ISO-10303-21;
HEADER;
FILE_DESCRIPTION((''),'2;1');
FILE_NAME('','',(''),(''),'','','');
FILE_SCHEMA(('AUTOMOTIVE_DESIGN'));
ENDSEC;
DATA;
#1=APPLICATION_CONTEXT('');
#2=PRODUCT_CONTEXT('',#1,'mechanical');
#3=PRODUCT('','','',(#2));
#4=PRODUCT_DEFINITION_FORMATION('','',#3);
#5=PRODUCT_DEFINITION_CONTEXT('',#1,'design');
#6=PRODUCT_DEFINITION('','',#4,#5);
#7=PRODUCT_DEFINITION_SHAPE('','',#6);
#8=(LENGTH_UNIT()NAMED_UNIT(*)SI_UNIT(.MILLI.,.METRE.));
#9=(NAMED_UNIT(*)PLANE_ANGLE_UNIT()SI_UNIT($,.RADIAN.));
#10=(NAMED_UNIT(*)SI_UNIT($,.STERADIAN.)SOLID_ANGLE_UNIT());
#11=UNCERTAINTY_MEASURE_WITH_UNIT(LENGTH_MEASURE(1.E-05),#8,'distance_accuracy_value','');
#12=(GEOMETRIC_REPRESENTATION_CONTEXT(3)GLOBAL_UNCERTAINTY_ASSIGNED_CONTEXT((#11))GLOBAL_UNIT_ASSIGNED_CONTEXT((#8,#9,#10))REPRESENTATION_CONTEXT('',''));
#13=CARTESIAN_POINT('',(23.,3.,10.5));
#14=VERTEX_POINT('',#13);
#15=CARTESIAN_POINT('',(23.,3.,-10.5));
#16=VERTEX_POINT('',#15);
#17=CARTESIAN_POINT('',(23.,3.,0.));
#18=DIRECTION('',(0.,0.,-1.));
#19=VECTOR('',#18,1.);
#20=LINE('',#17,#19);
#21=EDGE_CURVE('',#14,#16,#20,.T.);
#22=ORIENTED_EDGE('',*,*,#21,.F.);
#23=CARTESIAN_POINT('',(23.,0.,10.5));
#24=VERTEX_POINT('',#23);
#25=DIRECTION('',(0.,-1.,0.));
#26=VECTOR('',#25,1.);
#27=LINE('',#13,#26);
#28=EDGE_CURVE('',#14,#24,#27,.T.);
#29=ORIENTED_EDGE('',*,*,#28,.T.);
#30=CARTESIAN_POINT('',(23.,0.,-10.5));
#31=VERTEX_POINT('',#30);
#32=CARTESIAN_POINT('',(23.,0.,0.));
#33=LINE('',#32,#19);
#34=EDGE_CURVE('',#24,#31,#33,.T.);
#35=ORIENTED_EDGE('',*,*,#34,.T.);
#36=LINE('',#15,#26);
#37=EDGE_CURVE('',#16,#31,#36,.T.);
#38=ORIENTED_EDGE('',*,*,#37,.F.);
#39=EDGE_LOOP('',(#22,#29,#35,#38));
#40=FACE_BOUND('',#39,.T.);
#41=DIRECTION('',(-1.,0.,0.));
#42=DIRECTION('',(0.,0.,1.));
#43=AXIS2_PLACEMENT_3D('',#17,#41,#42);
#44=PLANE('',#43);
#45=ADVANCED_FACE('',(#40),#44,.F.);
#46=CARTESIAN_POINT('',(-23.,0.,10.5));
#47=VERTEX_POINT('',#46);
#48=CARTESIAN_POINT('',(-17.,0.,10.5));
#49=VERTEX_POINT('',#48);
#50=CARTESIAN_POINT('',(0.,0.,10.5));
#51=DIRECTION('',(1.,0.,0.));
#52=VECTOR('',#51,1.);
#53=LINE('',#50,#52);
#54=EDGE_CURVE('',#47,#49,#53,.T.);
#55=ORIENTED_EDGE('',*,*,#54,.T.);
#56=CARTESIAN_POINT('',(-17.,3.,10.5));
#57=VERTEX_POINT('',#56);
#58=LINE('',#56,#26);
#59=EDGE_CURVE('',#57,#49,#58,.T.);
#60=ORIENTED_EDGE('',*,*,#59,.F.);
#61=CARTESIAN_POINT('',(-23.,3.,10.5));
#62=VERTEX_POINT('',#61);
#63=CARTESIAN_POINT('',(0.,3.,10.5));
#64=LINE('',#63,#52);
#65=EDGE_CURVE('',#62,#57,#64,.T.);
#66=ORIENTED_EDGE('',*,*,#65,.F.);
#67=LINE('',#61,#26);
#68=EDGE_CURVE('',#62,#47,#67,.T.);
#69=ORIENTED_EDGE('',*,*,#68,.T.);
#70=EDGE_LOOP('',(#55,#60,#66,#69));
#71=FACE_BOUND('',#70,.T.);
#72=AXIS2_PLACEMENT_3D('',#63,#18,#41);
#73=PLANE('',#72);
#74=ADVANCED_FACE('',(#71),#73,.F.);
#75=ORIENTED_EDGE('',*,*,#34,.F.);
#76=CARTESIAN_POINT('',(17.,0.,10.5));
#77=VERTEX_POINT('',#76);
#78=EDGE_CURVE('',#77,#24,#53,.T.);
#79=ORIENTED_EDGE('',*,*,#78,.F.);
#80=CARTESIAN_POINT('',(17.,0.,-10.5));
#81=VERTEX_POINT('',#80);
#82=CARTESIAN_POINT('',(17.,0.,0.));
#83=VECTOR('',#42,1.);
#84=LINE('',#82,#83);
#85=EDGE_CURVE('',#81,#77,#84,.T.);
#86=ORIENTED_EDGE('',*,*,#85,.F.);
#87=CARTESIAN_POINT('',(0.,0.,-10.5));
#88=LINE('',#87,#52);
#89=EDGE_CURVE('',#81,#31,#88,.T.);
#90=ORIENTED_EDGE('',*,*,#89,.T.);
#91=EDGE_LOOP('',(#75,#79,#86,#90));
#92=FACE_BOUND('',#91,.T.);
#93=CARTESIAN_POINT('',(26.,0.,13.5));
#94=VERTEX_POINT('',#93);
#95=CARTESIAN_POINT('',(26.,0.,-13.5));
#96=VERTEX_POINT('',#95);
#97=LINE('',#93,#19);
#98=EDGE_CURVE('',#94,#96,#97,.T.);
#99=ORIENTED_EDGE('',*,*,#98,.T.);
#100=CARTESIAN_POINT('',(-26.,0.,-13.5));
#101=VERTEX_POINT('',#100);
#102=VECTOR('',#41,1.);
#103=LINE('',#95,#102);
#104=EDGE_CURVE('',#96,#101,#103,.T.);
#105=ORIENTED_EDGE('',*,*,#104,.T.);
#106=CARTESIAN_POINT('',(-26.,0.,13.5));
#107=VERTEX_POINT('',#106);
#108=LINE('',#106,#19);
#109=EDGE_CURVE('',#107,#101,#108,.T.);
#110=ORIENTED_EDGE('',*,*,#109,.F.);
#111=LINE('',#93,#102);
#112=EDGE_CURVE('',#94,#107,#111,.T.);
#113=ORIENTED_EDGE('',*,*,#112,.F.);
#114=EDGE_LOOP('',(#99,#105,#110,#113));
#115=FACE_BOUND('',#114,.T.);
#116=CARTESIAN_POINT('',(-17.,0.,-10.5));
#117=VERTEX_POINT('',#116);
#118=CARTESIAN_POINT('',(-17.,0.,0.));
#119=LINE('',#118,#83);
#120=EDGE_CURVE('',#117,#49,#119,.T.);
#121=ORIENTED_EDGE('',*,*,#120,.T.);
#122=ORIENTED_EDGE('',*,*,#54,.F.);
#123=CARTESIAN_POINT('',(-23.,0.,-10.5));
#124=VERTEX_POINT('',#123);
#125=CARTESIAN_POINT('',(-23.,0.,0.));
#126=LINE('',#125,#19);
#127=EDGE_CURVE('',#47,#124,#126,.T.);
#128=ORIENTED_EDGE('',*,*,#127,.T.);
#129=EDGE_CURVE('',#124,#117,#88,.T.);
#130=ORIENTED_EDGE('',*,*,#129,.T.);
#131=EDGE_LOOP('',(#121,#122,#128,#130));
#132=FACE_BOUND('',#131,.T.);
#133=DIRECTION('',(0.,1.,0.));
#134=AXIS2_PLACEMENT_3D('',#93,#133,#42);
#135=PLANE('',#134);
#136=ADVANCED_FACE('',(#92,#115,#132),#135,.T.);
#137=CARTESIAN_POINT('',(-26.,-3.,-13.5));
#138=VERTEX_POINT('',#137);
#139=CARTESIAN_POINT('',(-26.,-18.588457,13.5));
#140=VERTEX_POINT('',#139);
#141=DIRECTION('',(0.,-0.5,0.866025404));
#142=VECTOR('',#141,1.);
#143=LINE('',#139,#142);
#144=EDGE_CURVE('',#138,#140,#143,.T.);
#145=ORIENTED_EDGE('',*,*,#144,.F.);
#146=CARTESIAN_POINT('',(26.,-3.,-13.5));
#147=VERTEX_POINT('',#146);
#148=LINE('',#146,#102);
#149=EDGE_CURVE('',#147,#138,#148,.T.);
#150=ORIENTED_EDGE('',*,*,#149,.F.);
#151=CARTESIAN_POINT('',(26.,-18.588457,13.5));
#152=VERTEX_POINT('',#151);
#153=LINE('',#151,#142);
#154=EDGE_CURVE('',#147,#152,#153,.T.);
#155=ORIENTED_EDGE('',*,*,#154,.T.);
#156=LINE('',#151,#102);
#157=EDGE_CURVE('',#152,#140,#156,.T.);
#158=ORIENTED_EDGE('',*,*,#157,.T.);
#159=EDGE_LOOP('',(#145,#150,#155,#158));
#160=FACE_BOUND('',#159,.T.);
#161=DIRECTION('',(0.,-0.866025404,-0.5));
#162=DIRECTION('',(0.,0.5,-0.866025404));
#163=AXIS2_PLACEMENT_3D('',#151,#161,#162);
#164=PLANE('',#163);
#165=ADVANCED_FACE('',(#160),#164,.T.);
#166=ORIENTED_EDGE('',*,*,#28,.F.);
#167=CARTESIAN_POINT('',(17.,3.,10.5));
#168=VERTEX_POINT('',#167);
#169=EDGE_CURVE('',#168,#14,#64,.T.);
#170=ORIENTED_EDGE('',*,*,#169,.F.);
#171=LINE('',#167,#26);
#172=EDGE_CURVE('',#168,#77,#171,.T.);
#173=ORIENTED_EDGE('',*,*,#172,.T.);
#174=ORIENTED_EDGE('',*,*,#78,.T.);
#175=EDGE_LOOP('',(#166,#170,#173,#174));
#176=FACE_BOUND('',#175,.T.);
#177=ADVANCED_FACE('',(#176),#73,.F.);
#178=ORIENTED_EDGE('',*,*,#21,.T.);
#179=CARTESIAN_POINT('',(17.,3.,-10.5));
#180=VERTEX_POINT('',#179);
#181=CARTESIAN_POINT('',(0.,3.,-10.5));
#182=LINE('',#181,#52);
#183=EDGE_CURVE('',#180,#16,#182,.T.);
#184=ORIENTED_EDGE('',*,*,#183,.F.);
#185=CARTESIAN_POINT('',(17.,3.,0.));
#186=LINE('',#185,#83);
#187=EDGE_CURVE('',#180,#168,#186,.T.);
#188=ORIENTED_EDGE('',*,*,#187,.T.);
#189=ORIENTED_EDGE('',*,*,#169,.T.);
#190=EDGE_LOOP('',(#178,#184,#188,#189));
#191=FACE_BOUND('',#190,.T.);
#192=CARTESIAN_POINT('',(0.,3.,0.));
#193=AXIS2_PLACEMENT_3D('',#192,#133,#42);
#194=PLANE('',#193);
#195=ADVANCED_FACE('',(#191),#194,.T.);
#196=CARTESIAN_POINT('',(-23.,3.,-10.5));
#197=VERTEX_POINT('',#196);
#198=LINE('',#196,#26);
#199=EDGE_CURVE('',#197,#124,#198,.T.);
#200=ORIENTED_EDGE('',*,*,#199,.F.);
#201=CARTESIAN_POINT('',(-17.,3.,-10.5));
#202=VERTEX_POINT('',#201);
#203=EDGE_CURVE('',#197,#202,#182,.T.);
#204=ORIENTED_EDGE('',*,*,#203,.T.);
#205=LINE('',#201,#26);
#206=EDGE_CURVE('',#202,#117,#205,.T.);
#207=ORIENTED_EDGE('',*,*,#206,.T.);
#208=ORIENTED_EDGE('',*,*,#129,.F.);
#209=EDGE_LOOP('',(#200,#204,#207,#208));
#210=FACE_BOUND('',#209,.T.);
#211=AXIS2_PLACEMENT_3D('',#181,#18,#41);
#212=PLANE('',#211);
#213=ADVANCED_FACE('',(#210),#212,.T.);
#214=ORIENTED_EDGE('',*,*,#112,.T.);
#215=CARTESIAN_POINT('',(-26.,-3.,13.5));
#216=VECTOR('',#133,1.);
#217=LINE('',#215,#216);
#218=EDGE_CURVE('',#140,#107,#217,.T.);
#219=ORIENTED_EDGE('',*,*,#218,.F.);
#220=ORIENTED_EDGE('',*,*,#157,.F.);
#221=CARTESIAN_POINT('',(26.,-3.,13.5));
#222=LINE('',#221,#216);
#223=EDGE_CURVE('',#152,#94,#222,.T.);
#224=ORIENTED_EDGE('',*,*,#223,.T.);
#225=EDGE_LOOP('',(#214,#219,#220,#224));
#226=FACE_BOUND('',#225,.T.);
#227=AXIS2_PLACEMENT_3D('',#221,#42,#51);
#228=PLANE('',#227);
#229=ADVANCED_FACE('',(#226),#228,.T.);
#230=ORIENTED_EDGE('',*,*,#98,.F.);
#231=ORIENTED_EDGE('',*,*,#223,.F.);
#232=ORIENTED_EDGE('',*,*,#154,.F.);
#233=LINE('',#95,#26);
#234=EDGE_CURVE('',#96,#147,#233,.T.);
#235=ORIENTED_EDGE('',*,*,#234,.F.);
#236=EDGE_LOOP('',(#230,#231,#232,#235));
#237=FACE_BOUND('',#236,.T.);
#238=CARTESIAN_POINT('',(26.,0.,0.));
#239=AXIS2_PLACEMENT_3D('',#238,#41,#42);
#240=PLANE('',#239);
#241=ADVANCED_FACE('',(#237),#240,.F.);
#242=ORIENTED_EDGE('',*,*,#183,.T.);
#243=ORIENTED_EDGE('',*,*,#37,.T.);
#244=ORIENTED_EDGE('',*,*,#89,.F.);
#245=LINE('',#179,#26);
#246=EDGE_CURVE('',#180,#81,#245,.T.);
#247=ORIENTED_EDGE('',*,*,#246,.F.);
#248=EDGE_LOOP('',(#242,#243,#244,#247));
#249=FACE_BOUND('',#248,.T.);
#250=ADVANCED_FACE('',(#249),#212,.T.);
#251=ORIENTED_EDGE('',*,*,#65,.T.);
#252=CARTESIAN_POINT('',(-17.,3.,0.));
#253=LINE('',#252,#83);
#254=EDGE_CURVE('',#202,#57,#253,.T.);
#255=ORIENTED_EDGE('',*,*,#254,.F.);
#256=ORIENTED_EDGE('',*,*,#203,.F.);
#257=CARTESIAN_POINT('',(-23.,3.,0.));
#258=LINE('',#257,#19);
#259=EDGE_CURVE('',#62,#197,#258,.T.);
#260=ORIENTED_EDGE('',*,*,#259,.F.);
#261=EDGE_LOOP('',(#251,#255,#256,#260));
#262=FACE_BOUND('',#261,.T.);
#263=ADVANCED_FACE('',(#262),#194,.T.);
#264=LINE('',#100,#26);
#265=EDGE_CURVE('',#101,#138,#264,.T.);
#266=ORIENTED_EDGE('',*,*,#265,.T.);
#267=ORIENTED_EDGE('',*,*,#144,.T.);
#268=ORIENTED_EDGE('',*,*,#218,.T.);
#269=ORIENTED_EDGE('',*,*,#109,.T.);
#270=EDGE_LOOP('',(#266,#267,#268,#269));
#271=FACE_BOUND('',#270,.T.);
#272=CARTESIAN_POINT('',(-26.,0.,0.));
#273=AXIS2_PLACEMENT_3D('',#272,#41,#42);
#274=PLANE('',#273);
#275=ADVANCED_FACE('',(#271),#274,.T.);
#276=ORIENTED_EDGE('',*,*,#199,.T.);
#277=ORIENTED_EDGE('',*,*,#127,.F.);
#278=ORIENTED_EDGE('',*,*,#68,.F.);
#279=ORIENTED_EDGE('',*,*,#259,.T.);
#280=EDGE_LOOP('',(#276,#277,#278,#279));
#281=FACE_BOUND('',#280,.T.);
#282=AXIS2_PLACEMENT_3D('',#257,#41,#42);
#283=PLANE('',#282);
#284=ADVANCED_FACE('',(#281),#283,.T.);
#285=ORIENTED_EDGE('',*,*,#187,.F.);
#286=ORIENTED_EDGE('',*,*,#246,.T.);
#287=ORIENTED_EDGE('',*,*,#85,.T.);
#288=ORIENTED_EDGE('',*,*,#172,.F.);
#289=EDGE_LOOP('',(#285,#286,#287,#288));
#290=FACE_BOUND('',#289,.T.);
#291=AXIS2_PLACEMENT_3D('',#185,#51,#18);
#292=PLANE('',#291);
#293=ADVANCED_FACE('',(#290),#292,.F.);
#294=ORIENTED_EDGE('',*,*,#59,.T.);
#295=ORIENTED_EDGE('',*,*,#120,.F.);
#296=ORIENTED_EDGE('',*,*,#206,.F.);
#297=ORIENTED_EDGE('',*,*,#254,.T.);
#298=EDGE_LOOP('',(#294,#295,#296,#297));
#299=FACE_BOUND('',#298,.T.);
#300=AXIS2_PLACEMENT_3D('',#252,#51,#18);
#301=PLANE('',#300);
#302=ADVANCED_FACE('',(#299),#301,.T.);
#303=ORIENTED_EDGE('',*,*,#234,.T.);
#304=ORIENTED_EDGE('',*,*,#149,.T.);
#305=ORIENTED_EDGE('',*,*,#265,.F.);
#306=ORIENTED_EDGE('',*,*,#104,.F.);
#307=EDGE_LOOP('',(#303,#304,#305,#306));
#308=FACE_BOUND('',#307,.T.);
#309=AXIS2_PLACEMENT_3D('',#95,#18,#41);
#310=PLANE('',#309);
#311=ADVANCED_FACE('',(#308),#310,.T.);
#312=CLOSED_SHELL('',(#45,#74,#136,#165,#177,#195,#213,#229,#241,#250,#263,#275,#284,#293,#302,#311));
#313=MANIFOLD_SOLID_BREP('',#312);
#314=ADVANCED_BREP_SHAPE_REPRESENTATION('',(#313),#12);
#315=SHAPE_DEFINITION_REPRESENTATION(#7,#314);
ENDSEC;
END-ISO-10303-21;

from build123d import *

# Parameters (mm, degrees)
SKETCH1_W             = 6
SKETCH1_H             = 21
BOSS_EXTRUDE1_DEPTH   = 3
BOSS_EXTRUDE1_2_DEPTH = 3
SKETCH1_3_W           = 52
SKETCH1_3_H           = 27
BOSS_EXTRUDE2_DEPTH   = 3
BOSS_EXTRUDE3_DEPTH   = 52


with BuildPart() as part:
    # Sketch1 → Boss-Extrude1 (new body)
    with BuildSketch(Plane(origin=(0, 0, 0), x_dir=(1, 0, 0), z_dir=(0, 1, 0))):
        with Locations((-20, 0)):
            Rectangle(SKETCH1_W, SKETCH1_H)
    extrude(amount=BOSS_EXTRUDE1_DEPTH)



with BuildPart() as body_2:
    # Sketch1 → Boss-Extrude1 2 (new body)
    with BuildSketch(Plane(origin=(0, 0, 0), x_dir=(1, 0, 0), z_dir=(0, 1, 0))):
        with Locations((20, 0)):
            Rectangle(SKETCH1_W, SKETCH1_H)
    extrude(amount=BOSS_EXTRUDE1_2_DEPTH)


with BuildPart() as body_3:
    # Sketch1<3> → Boss-Extrude2 (new body)
    with BuildSketch(Plane(origin=(0, 0, 0), x_dir=(1, 0, 0), z_dir=(0, 1, 0))):
        Rectangle(SKETCH1_3_W, SKETCH1_3_H)
    extrude(amount=-BOSS_EXTRUDE2_DEPTH)


with BuildPart() as part_1:
    add(part.part)

    add(body_2.part)  # Boss-Extrude3 merges body 2

    add(body_3.part)  # Boss-Extrude3 merges body 3
    # Sketch2 → Boss-Extrude3 (add)
    with BuildSketch(Plane.ZY.offset(26)):
        Polygon((13.5, -3), (13.5, -18.588457268), (-13.5, -3), (-13.5, 0), (13.5, 0), align=None)
    extrude(amount=-BOSS_EXTRUDE3_DEPTH)


solid = part_1.part
